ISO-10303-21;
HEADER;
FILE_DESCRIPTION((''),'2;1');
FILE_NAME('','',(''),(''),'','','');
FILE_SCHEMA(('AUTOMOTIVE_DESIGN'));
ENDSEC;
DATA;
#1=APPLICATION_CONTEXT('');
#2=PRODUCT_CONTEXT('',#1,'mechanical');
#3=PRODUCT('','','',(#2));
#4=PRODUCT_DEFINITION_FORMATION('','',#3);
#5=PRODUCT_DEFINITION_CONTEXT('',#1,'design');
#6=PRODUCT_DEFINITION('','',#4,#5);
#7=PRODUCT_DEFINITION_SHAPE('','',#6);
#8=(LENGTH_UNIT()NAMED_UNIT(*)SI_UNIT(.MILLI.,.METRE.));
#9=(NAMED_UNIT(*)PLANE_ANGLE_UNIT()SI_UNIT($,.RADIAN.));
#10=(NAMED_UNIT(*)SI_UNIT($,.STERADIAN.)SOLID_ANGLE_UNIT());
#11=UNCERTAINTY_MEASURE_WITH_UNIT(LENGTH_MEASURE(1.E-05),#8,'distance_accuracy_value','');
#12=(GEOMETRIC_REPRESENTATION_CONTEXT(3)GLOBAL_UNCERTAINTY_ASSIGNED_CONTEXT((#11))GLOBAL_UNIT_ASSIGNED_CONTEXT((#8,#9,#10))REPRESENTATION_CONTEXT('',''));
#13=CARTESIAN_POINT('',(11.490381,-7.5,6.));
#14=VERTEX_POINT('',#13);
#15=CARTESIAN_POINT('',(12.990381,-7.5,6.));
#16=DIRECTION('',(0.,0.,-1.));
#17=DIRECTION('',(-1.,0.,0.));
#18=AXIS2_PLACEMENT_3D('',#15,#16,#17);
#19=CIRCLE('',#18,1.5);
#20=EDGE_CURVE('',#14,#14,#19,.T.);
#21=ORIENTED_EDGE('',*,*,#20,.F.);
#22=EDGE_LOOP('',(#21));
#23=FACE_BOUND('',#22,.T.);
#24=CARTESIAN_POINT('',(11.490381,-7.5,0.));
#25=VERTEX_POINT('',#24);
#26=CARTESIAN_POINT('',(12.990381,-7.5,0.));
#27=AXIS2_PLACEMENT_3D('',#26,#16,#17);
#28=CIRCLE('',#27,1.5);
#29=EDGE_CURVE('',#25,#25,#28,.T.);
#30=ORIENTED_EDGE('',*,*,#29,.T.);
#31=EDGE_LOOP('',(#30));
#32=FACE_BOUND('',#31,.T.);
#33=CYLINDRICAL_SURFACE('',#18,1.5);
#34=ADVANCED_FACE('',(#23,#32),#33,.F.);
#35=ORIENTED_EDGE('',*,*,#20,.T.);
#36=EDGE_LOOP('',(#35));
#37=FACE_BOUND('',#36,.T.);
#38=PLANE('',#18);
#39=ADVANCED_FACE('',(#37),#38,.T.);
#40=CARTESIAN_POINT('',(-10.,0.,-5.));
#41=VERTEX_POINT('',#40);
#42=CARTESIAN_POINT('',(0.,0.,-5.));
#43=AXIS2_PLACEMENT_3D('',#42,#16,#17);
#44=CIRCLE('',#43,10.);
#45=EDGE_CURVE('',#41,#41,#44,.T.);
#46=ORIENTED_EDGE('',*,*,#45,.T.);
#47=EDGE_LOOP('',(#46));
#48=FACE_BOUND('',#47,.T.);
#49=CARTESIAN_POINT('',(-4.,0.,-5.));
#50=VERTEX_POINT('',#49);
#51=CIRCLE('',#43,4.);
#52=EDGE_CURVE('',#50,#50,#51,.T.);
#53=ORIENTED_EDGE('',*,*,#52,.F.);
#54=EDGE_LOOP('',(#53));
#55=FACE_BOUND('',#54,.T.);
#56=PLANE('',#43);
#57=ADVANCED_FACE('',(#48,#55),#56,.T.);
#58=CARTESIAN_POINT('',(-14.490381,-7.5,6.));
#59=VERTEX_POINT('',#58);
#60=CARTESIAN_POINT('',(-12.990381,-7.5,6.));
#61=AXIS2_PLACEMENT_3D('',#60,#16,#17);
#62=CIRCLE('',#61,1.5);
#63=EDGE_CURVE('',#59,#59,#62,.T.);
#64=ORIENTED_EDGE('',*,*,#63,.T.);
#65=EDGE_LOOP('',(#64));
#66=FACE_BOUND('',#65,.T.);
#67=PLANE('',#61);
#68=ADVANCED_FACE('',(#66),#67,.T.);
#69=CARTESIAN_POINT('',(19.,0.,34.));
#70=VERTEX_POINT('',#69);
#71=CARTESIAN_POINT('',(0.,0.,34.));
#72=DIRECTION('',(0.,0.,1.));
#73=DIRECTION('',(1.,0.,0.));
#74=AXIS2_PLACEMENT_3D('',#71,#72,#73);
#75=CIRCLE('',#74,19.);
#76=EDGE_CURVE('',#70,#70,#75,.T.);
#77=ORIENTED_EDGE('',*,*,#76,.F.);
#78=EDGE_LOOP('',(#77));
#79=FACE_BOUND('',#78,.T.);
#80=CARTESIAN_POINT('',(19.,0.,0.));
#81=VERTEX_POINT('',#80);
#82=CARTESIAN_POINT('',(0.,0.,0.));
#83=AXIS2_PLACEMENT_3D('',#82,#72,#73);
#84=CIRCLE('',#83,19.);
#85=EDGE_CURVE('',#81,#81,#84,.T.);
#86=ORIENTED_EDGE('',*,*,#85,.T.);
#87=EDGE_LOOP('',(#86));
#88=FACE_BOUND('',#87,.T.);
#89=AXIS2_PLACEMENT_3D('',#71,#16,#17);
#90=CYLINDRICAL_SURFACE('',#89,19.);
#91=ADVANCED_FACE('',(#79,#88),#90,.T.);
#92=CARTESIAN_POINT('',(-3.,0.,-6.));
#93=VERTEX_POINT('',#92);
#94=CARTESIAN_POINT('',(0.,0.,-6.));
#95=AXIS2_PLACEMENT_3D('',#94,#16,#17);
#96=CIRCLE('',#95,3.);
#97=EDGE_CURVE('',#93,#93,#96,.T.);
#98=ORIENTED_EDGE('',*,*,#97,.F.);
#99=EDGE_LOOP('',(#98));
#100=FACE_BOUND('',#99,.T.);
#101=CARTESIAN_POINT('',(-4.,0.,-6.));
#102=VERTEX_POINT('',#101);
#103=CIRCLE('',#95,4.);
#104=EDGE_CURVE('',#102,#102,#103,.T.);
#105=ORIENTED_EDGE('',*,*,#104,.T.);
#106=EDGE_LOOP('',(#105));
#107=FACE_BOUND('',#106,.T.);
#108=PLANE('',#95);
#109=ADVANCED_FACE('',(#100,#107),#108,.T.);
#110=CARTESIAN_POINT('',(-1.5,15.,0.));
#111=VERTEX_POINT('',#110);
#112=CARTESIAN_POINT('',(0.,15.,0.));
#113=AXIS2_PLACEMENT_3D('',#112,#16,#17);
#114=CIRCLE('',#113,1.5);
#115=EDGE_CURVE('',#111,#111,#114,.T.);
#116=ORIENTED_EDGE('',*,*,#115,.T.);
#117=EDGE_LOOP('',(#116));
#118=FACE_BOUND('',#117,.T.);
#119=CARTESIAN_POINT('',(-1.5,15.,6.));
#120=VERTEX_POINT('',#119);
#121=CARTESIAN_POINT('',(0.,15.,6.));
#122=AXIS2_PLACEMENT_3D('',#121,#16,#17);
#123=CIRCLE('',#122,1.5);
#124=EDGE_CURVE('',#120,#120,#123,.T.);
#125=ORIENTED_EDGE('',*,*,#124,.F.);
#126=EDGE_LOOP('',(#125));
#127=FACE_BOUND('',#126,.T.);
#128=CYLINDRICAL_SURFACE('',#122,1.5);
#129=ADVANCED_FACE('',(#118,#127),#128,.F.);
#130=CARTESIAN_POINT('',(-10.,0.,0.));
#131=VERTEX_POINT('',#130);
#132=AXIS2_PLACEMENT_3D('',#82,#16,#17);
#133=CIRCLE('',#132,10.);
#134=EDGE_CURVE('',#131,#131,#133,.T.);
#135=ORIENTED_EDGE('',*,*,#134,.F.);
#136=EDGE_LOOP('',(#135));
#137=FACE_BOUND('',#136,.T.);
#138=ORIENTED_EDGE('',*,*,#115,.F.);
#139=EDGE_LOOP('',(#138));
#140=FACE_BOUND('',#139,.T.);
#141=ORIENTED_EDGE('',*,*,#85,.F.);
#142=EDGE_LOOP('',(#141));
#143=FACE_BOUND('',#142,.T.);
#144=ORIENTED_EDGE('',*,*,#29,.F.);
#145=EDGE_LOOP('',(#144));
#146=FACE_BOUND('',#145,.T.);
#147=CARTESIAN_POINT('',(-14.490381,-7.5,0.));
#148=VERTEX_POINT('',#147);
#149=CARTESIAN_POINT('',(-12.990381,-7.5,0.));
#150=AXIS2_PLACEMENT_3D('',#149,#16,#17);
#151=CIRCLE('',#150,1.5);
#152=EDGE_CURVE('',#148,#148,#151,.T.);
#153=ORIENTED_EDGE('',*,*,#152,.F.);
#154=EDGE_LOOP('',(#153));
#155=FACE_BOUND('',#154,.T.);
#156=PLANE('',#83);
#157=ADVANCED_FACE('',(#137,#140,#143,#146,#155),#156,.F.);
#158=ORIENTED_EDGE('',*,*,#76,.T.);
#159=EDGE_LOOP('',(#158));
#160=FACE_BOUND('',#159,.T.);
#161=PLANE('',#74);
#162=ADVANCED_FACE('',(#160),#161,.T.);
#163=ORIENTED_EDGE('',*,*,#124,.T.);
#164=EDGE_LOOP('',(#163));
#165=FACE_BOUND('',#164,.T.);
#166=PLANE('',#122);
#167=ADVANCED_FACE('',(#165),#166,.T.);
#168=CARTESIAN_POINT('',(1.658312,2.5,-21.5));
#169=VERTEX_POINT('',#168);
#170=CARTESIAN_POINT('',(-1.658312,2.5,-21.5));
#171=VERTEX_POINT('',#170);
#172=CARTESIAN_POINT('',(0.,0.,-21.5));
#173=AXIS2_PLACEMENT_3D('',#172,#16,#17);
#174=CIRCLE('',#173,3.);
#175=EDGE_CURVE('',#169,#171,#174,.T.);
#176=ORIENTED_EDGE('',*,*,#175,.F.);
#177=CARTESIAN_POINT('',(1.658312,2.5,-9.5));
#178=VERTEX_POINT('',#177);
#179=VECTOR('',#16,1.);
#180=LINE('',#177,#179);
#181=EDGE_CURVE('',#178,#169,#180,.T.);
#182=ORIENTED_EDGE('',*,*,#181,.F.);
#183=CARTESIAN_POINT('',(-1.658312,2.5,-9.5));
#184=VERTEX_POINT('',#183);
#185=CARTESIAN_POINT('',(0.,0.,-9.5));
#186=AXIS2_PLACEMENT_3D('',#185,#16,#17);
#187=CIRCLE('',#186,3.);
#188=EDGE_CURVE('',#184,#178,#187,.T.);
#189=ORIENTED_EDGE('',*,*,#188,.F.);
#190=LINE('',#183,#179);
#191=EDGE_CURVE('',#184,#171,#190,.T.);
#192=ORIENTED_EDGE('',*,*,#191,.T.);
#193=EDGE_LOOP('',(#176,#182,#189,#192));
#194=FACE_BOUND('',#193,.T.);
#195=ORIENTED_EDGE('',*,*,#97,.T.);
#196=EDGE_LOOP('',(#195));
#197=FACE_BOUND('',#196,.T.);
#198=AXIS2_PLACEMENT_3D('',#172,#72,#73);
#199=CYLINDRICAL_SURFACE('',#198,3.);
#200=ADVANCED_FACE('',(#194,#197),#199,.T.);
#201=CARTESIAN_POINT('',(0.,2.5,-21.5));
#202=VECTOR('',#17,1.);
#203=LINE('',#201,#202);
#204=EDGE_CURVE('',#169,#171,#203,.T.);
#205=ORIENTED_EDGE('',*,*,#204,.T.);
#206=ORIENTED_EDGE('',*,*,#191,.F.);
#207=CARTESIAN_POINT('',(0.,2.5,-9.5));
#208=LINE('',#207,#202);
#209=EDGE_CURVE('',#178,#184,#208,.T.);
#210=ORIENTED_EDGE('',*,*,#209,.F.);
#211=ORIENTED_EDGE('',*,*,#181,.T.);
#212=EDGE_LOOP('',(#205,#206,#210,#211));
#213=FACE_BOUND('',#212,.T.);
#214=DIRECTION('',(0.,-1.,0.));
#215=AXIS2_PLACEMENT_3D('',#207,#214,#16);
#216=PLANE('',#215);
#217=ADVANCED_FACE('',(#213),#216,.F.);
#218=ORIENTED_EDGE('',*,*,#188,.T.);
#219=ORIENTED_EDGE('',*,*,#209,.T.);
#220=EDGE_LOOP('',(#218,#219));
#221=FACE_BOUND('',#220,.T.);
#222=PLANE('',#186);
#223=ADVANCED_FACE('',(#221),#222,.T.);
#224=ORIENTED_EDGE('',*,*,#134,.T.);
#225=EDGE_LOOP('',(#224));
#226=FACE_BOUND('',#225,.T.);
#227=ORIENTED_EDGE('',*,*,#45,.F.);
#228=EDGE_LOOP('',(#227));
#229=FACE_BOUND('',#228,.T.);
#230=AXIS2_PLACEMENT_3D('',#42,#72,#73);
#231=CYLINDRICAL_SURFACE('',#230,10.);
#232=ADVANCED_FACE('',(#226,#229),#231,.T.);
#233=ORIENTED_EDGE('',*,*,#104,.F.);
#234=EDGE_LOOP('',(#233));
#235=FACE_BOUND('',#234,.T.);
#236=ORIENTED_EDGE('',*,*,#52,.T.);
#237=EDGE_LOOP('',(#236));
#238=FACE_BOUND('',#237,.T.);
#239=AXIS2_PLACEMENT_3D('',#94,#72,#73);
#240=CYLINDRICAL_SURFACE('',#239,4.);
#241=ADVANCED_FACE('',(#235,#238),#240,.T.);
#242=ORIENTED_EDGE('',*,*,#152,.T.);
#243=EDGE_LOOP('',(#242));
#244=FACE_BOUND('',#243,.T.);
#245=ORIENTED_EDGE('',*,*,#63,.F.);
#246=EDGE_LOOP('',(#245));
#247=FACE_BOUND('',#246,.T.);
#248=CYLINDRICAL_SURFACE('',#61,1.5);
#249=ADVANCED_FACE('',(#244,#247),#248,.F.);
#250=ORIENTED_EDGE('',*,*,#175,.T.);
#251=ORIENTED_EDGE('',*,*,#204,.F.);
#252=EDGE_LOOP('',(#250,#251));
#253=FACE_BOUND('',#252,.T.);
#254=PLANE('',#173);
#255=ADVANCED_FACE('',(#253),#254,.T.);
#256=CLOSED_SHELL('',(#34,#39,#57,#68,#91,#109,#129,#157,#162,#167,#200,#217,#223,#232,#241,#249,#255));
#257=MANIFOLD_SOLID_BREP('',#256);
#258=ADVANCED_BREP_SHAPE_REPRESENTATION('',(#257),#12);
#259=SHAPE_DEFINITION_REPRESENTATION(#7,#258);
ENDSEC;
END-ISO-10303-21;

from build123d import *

# Parameters (mm, degrees)
SKETCH_1_R          = 19
EXTRUDE_1_DEPTH     = 34
SKETCH_2_R          = 10
EXTRUDE_2_DEPTH     = 5
SKETCH_3_R          = 4
EXTRUDE_3_DEPTH     = 1
SKETCH_4_R          = 3
EXTRUDE_4_DEPTH     = 15.5
CUT_EXTRUDE_2_DEPTH = 12
SKETCH_7_R          = 1.5
CUT_EXTRUDE_3_DEPTH = 6


with BuildPart() as part:
    # 草图1 → 凸台-拉伸1 (new body)
    with BuildSketch(Plane.XY):
        Circle(SKETCH_1_R)
    extrude(amount=EXTRUDE_1_DEPTH)

    # 草图2 → 凸台-拉伸2 (add)
    with BuildSketch(Plane(origin=(0, 0, 0), x_dir=(-1, 0, 0), z_dir=(0, 0, -1))):
        Circle(SKETCH_2_R)
    extrude(amount=EXTRUDE_2_DEPTH)

    # 草图3 → 凸台-拉伸3 (add)
    with BuildSketch(Plane(origin=(0, 0, -5), x_dir=(-1, 0, 0), z_dir=(0, 0, -1))):
        Circle(SKETCH_3_R)
    extrude(amount=EXTRUDE_3_DEPTH)

    # 草图4 → 凸台-拉伸4 (add)
    with BuildSketch(Plane(origin=(0, 0, -6), x_dir=(-1, 0, 0), z_dir=(0, 0, -1))):
        Circle(SKETCH_4_R)
    extrude(amount=EXTRUDE_4_DEPTH)

    # 草图5 → 切除-拉伸2 (cut)
    with BuildSketch(Plane(origin=(0, 0, -21.5), x_dir=(-1, 0, 0), z_dir=(0, 0, -1))):
        with BuildLine():
            ThreePointArc((1.658312395, 2.5), (0.866025404, 2.872281323), (0, 3))
            Line((0, 3), (0, 2.5))
            Line((0, 2.5), (1.658312395, 2.5))
        make_face()
        with BuildLine():
            Line((0, 2.5), (0, 3))
            ThreePointArc((0, 3), (-0.866025404, 2.872281323), (-1.658312395, 2.5))
            Line((-1.658312395, 2.5), (0, 2.5))
        make_face()
    extrude(amount=-CUT_EXTRUDE_2_DEPTH, mode=Mode.SUBTRACT)

    # 草图7 → 切除-拉伸3 (cut)
    with BuildSketch(Plane(origin=(0, 0, 0), x_dir=(-1, 0, 0), z_dir=(0, 0, -1))):
        with Locations((0, 15)):
            Circle(SKETCH_7_R)
        with Locations((-12.990381057, -7.5)):
            Circle(SKETCH_7_R)
        with Locations((12.990381057, -7.5)):
            Circle(SKETCH_7_R)
    extrude(amount=-CUT_EXTRUDE_3_DEPTH, mode=Mode.SUBTRACT)


solid = part.part
